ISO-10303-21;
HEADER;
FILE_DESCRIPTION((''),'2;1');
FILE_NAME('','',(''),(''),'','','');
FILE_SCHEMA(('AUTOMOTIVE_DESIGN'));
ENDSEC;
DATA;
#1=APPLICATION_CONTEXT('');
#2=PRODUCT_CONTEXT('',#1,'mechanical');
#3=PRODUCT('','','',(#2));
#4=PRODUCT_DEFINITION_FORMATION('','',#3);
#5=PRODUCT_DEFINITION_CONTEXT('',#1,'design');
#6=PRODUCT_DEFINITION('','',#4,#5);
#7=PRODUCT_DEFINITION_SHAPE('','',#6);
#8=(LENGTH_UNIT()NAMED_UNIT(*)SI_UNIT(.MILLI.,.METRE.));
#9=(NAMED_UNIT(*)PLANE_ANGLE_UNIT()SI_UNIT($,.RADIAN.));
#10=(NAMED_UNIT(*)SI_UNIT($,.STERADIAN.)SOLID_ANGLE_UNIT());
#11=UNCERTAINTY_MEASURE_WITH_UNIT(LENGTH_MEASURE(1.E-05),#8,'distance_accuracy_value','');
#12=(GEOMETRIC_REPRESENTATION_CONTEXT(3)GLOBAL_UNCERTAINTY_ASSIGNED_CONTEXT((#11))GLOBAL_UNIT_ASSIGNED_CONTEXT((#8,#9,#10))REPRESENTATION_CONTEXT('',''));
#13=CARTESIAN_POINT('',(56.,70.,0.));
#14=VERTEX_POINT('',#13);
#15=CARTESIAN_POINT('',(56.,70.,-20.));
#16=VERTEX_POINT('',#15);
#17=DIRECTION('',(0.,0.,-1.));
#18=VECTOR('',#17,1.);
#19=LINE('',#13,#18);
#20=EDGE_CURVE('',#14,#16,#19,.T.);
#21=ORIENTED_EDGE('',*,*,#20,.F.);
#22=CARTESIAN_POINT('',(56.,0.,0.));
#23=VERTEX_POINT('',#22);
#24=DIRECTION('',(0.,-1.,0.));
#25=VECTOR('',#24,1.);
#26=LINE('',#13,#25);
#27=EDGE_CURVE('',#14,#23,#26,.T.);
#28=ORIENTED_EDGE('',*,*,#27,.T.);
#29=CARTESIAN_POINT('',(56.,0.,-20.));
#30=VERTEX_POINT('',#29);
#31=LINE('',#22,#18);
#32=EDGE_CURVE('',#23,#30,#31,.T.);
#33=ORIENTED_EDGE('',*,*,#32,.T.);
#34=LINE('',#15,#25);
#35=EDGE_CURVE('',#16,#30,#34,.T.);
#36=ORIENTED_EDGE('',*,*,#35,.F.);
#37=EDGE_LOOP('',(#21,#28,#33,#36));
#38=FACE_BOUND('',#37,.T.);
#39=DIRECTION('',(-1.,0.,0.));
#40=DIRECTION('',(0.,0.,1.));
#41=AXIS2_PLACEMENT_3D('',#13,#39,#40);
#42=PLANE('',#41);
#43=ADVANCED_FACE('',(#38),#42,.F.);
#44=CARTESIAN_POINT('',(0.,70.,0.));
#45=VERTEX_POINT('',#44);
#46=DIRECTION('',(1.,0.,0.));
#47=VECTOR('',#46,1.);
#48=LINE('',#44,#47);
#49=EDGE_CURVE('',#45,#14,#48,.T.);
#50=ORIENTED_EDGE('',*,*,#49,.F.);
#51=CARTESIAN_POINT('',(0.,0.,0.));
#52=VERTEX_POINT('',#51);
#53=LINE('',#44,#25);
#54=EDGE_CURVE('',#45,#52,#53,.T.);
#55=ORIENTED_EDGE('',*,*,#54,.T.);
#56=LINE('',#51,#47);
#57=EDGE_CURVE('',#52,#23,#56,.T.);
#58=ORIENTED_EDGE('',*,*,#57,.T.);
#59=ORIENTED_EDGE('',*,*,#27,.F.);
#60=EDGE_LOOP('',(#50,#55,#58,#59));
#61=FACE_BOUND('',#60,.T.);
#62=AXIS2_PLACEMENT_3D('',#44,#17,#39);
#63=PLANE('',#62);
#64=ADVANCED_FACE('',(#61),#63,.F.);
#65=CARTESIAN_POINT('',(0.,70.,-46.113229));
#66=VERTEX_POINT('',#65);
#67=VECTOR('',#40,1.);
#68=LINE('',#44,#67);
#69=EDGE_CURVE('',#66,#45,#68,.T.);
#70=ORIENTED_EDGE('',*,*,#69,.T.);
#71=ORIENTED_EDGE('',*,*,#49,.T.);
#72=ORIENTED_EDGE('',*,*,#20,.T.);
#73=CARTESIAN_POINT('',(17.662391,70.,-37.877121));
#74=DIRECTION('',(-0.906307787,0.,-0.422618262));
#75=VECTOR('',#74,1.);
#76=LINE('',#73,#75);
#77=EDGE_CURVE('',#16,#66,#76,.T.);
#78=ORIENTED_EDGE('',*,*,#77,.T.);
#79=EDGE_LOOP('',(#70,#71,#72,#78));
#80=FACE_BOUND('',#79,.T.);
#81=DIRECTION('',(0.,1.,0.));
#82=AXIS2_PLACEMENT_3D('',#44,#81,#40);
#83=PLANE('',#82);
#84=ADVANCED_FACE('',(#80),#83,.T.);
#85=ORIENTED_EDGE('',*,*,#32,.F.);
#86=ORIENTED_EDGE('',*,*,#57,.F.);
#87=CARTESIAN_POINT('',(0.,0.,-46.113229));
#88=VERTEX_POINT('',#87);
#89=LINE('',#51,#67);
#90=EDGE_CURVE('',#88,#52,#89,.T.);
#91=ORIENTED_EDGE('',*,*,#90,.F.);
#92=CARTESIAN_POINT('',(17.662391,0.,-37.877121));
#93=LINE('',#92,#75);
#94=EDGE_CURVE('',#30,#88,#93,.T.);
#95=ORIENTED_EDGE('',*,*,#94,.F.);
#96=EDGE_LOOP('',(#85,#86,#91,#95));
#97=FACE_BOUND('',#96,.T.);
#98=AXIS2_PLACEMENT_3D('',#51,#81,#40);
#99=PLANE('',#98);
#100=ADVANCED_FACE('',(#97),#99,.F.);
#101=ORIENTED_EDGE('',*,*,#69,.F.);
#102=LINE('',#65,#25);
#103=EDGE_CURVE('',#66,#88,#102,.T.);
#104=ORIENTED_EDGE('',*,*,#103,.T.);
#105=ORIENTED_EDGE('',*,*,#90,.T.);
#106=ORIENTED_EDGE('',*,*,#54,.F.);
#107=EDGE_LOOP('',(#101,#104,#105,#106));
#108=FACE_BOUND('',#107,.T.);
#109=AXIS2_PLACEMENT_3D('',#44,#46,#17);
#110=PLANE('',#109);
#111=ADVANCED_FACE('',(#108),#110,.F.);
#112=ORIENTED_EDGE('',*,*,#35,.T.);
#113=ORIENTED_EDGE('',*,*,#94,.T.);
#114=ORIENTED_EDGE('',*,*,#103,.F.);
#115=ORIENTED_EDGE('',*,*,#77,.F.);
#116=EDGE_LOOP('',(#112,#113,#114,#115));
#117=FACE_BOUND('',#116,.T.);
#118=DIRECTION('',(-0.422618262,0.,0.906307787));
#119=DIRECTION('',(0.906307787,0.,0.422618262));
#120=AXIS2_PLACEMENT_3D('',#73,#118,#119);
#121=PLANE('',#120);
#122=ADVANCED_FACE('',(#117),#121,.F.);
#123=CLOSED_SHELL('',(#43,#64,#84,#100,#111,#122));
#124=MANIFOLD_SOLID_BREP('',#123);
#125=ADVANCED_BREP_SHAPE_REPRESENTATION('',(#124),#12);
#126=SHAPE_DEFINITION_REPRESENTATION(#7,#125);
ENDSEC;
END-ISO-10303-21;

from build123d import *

# Parameters (mm, degrees)
SKETCH1_W           = 56
SKETCH1_H           = 20
BOSS_EXTRUDE1_DEPTH = 70


with BuildPart() as part:
    # Sketch1 → Boss-Extrude1 (new body)
    with BuildSketch(Plane(origin=(0, 0, 0), x_dir=(1, 0, 0), z_dir=(0, 1, 0))):
        Polygon((56, 20), (0, 46.113228857), (0, 20), align=None)
        with Locations((28, 10)):
            Rectangle(SKETCH1_W, SKETCH1_H)
    extrude(amount=BOSS_EXTRUDE1_DEPTH)


solid = part.part
